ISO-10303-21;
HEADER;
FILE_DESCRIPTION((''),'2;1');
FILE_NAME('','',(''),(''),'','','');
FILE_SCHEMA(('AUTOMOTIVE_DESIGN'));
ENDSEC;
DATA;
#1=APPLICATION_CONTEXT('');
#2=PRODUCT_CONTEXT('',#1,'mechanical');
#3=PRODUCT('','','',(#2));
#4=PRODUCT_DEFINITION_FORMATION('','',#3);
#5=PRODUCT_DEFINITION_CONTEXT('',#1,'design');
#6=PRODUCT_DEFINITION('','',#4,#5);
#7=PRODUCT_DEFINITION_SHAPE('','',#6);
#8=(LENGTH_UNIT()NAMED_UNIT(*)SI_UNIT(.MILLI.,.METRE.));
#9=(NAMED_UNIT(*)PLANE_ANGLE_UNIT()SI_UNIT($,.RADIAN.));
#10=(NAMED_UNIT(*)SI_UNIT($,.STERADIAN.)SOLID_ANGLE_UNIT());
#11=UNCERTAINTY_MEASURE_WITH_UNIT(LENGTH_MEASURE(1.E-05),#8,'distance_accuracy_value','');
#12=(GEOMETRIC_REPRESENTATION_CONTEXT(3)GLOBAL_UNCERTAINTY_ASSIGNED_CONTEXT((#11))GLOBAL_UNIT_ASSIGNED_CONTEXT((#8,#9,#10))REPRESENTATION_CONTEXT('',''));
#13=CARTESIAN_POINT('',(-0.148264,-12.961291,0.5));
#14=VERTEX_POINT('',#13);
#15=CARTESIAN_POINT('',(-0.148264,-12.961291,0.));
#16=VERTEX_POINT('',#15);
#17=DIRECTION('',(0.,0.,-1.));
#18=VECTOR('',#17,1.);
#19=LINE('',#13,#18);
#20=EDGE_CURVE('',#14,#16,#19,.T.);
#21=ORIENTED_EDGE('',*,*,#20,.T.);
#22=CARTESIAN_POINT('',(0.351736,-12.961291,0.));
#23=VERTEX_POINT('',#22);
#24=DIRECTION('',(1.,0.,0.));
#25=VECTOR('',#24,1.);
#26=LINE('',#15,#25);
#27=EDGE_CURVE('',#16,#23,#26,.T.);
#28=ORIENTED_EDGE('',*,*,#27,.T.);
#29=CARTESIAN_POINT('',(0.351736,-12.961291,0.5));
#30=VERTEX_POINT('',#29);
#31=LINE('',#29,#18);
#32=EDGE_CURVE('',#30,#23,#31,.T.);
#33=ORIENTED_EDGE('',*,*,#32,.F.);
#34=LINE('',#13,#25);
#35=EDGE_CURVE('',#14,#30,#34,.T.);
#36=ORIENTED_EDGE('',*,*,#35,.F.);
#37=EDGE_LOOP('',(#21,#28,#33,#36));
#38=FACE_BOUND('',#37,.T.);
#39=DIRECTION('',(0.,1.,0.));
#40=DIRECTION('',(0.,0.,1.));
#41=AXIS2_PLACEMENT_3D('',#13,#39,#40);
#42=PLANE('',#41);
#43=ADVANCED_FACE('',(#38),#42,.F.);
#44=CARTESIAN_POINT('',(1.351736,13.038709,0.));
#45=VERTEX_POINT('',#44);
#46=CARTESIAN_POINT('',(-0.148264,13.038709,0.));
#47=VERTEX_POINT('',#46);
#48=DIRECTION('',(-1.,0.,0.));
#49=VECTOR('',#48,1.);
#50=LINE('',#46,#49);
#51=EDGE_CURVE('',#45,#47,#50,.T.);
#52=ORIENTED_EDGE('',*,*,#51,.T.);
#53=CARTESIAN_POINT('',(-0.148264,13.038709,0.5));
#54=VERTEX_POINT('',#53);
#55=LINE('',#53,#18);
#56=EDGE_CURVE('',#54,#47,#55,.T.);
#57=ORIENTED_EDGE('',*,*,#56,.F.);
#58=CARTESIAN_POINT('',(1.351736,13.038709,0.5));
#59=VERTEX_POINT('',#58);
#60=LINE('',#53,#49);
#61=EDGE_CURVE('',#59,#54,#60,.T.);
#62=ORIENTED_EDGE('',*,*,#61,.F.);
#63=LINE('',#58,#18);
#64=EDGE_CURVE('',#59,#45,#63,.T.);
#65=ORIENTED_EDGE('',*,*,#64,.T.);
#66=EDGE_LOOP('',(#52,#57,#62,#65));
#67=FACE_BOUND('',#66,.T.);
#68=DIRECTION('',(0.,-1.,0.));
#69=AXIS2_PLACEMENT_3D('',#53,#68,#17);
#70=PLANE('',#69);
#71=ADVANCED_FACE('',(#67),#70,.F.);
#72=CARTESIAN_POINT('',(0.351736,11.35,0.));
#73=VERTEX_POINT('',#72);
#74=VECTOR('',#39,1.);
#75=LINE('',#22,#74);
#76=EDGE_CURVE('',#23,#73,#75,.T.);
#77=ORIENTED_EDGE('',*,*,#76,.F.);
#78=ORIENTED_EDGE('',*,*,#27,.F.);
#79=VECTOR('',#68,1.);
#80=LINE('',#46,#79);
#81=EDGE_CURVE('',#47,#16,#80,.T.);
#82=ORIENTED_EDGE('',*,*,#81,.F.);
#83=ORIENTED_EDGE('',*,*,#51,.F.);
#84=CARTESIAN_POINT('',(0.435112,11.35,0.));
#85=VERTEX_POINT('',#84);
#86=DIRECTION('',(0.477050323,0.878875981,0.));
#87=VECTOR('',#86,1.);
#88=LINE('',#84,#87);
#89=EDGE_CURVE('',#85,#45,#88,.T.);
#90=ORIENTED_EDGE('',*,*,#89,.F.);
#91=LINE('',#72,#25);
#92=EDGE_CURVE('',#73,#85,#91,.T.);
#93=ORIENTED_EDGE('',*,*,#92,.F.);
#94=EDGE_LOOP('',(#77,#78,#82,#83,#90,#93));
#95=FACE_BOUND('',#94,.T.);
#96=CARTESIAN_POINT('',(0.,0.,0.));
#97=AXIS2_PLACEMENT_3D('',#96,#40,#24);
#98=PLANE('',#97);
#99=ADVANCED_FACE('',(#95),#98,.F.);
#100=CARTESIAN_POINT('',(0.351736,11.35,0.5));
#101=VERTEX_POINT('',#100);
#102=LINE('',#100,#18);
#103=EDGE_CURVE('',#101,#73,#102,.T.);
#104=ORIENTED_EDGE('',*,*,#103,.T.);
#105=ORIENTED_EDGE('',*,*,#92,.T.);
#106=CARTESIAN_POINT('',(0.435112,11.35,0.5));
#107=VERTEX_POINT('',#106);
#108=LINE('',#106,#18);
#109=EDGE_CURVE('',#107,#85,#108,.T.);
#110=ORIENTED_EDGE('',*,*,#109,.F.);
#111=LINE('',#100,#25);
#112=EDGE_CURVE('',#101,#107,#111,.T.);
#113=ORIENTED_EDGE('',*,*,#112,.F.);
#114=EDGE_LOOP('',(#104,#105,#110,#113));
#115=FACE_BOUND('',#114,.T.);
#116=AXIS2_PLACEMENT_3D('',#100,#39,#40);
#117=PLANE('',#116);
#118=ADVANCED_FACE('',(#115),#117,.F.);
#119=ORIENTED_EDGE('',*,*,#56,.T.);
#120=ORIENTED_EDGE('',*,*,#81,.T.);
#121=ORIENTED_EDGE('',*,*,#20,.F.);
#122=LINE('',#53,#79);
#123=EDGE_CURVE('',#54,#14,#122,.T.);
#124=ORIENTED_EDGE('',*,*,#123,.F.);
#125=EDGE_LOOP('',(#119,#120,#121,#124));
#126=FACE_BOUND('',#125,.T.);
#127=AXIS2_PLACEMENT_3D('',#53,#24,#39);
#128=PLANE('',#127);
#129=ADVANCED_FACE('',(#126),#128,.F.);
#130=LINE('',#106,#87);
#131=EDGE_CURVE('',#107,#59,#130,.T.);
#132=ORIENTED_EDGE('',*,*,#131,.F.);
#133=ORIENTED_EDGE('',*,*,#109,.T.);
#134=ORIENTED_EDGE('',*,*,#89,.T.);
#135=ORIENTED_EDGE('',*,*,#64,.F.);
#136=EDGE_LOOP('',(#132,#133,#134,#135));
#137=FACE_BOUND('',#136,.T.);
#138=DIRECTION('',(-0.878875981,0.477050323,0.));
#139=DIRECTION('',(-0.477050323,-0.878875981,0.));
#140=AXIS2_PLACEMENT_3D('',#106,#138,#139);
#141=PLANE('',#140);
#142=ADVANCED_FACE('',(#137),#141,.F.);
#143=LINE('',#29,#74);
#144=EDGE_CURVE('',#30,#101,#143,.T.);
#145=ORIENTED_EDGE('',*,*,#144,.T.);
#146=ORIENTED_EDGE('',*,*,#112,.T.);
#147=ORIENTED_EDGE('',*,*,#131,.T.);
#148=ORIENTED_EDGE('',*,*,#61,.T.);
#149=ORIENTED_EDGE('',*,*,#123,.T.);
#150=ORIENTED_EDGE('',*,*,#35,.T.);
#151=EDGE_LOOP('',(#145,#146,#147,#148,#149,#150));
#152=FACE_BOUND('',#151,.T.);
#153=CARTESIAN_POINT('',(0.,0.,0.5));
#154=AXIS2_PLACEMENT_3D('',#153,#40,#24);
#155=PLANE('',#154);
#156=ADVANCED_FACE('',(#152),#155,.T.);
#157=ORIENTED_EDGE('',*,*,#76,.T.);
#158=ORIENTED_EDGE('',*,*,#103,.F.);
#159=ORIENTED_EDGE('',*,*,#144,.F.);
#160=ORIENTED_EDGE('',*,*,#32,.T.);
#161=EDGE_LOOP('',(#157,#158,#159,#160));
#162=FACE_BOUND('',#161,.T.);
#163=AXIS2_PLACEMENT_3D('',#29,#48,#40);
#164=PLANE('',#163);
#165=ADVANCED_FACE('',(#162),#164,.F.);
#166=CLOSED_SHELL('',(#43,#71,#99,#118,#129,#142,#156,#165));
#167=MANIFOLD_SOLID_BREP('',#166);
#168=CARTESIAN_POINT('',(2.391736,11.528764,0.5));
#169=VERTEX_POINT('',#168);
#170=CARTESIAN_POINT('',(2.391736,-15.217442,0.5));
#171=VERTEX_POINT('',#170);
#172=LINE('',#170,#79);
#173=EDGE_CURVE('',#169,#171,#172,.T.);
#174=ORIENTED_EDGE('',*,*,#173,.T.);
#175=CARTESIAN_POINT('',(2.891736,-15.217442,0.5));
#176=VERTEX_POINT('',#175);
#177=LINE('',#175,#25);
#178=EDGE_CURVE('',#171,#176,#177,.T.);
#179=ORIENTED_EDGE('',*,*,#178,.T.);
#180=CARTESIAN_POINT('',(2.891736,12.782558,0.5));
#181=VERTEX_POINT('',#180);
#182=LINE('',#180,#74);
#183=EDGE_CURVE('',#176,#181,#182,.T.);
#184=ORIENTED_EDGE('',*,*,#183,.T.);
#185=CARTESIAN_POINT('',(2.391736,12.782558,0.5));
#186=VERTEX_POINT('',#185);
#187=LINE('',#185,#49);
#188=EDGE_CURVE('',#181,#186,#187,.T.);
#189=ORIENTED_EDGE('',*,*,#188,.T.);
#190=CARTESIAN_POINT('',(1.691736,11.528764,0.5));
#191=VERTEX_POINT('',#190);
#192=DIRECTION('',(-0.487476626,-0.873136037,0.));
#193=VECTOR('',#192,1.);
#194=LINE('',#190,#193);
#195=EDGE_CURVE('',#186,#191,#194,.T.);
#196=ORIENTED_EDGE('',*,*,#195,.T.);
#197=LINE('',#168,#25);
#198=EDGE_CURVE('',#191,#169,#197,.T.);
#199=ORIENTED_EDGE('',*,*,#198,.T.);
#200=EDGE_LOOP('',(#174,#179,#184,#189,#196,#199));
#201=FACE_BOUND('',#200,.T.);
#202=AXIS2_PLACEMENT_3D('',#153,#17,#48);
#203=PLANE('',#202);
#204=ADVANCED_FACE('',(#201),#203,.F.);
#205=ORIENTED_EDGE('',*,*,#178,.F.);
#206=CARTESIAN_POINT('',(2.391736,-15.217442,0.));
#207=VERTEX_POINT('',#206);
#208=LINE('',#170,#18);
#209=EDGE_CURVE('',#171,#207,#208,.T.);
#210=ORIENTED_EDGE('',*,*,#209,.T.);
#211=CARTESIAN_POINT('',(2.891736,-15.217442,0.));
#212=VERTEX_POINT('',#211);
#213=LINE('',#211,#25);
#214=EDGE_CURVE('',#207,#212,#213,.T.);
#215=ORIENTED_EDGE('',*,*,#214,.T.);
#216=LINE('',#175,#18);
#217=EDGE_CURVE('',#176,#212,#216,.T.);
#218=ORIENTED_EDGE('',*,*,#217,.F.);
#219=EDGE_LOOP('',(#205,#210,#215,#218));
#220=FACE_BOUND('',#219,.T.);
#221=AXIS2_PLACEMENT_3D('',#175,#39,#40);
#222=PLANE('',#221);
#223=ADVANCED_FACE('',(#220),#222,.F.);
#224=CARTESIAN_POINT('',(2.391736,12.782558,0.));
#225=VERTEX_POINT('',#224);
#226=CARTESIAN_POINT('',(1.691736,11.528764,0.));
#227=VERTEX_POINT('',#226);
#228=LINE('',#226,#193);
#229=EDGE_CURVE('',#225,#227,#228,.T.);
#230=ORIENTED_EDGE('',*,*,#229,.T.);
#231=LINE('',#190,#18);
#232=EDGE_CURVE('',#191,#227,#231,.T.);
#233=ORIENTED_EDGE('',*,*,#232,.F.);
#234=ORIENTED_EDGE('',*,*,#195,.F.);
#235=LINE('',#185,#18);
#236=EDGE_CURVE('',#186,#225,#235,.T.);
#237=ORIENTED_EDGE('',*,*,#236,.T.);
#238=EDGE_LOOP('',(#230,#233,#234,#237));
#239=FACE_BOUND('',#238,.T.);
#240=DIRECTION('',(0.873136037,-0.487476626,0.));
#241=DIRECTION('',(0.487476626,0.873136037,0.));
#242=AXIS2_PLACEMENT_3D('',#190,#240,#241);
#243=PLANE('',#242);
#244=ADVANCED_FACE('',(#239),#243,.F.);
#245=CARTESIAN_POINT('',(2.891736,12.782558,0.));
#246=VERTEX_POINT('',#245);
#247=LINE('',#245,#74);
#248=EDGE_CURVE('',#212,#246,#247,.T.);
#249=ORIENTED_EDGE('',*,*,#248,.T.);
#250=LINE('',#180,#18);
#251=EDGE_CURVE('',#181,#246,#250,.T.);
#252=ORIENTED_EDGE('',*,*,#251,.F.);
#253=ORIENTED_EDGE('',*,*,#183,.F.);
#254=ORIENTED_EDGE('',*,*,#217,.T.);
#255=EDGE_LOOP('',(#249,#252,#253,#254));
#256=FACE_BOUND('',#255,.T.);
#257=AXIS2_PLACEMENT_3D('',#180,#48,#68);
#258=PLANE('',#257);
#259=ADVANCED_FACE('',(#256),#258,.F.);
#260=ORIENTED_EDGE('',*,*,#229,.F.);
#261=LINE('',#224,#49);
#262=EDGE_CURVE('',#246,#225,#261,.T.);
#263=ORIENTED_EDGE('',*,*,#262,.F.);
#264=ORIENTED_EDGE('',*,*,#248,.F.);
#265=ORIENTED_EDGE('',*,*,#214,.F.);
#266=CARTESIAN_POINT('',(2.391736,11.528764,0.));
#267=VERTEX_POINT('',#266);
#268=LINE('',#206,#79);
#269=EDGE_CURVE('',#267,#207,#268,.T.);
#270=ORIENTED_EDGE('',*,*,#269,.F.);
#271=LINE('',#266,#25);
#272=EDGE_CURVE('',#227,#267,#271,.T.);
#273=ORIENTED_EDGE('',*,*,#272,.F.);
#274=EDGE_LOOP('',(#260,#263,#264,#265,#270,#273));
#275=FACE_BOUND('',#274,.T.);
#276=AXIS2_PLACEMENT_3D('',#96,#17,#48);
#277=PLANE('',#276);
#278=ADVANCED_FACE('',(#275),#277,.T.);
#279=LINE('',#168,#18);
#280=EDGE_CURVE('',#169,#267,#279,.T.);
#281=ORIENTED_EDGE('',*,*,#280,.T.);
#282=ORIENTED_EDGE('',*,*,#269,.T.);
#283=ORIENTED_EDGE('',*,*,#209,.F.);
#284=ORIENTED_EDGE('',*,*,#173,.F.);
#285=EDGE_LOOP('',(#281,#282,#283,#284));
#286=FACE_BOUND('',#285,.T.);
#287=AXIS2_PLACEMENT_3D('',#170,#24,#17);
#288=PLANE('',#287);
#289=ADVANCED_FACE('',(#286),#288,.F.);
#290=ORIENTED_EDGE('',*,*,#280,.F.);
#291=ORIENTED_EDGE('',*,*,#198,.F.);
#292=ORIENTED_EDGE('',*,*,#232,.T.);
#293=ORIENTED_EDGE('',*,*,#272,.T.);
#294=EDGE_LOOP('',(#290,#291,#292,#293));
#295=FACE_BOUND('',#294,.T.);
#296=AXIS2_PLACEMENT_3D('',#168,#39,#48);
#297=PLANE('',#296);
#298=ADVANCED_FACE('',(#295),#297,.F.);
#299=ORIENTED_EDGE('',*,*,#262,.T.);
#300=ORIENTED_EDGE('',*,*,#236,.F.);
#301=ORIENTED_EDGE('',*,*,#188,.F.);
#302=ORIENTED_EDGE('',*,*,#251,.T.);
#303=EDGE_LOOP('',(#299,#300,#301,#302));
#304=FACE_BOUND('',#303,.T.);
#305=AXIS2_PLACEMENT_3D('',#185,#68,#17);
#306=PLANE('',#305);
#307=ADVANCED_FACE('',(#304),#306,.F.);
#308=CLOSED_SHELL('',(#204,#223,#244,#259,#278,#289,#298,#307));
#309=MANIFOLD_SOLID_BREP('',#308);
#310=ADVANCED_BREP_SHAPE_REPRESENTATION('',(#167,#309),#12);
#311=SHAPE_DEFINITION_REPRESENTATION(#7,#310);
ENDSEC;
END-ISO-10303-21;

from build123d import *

# Parameters (mm, degrees)
BOSS_EXTRUDE1_DEPTH   = 0.5
BOSS_EXTRUDE1_2_DEPTH = 0.5


with BuildPart() as part:
    # Sketch1 → Boss-Extrude1 (new body)
    with BuildSketch(Plane.XY):
        Polygon((2.391735862, 12.78255814), (2.891735862, 12.78255814), (2.891735862, -15.21744186), (2.391735862, -15.21744186), (2.391735862, 11.528764229), (1.691735862, 11.528764229), align=None)
    extrude(amount=BOSS_EXTRUDE1_DEPTH)


with BuildPart() as body_2:
    # Sketch1 → Boss-Extrude1 2 (new body)
    with BuildSketch(Plane.XY):
        Polygon((-0.148264138, 13.038708658), (1.351735862, 13.038708658), (0.435111642, 11.35), (0.351735862, 11.35), (0.351735862, -12.961291342), (-0.148264138, -12.961291342), align=None)
    extrude(amount=BOSS_EXTRUDE1_2_DEPTH)


solid = Compound([part.part, body_2.part])
